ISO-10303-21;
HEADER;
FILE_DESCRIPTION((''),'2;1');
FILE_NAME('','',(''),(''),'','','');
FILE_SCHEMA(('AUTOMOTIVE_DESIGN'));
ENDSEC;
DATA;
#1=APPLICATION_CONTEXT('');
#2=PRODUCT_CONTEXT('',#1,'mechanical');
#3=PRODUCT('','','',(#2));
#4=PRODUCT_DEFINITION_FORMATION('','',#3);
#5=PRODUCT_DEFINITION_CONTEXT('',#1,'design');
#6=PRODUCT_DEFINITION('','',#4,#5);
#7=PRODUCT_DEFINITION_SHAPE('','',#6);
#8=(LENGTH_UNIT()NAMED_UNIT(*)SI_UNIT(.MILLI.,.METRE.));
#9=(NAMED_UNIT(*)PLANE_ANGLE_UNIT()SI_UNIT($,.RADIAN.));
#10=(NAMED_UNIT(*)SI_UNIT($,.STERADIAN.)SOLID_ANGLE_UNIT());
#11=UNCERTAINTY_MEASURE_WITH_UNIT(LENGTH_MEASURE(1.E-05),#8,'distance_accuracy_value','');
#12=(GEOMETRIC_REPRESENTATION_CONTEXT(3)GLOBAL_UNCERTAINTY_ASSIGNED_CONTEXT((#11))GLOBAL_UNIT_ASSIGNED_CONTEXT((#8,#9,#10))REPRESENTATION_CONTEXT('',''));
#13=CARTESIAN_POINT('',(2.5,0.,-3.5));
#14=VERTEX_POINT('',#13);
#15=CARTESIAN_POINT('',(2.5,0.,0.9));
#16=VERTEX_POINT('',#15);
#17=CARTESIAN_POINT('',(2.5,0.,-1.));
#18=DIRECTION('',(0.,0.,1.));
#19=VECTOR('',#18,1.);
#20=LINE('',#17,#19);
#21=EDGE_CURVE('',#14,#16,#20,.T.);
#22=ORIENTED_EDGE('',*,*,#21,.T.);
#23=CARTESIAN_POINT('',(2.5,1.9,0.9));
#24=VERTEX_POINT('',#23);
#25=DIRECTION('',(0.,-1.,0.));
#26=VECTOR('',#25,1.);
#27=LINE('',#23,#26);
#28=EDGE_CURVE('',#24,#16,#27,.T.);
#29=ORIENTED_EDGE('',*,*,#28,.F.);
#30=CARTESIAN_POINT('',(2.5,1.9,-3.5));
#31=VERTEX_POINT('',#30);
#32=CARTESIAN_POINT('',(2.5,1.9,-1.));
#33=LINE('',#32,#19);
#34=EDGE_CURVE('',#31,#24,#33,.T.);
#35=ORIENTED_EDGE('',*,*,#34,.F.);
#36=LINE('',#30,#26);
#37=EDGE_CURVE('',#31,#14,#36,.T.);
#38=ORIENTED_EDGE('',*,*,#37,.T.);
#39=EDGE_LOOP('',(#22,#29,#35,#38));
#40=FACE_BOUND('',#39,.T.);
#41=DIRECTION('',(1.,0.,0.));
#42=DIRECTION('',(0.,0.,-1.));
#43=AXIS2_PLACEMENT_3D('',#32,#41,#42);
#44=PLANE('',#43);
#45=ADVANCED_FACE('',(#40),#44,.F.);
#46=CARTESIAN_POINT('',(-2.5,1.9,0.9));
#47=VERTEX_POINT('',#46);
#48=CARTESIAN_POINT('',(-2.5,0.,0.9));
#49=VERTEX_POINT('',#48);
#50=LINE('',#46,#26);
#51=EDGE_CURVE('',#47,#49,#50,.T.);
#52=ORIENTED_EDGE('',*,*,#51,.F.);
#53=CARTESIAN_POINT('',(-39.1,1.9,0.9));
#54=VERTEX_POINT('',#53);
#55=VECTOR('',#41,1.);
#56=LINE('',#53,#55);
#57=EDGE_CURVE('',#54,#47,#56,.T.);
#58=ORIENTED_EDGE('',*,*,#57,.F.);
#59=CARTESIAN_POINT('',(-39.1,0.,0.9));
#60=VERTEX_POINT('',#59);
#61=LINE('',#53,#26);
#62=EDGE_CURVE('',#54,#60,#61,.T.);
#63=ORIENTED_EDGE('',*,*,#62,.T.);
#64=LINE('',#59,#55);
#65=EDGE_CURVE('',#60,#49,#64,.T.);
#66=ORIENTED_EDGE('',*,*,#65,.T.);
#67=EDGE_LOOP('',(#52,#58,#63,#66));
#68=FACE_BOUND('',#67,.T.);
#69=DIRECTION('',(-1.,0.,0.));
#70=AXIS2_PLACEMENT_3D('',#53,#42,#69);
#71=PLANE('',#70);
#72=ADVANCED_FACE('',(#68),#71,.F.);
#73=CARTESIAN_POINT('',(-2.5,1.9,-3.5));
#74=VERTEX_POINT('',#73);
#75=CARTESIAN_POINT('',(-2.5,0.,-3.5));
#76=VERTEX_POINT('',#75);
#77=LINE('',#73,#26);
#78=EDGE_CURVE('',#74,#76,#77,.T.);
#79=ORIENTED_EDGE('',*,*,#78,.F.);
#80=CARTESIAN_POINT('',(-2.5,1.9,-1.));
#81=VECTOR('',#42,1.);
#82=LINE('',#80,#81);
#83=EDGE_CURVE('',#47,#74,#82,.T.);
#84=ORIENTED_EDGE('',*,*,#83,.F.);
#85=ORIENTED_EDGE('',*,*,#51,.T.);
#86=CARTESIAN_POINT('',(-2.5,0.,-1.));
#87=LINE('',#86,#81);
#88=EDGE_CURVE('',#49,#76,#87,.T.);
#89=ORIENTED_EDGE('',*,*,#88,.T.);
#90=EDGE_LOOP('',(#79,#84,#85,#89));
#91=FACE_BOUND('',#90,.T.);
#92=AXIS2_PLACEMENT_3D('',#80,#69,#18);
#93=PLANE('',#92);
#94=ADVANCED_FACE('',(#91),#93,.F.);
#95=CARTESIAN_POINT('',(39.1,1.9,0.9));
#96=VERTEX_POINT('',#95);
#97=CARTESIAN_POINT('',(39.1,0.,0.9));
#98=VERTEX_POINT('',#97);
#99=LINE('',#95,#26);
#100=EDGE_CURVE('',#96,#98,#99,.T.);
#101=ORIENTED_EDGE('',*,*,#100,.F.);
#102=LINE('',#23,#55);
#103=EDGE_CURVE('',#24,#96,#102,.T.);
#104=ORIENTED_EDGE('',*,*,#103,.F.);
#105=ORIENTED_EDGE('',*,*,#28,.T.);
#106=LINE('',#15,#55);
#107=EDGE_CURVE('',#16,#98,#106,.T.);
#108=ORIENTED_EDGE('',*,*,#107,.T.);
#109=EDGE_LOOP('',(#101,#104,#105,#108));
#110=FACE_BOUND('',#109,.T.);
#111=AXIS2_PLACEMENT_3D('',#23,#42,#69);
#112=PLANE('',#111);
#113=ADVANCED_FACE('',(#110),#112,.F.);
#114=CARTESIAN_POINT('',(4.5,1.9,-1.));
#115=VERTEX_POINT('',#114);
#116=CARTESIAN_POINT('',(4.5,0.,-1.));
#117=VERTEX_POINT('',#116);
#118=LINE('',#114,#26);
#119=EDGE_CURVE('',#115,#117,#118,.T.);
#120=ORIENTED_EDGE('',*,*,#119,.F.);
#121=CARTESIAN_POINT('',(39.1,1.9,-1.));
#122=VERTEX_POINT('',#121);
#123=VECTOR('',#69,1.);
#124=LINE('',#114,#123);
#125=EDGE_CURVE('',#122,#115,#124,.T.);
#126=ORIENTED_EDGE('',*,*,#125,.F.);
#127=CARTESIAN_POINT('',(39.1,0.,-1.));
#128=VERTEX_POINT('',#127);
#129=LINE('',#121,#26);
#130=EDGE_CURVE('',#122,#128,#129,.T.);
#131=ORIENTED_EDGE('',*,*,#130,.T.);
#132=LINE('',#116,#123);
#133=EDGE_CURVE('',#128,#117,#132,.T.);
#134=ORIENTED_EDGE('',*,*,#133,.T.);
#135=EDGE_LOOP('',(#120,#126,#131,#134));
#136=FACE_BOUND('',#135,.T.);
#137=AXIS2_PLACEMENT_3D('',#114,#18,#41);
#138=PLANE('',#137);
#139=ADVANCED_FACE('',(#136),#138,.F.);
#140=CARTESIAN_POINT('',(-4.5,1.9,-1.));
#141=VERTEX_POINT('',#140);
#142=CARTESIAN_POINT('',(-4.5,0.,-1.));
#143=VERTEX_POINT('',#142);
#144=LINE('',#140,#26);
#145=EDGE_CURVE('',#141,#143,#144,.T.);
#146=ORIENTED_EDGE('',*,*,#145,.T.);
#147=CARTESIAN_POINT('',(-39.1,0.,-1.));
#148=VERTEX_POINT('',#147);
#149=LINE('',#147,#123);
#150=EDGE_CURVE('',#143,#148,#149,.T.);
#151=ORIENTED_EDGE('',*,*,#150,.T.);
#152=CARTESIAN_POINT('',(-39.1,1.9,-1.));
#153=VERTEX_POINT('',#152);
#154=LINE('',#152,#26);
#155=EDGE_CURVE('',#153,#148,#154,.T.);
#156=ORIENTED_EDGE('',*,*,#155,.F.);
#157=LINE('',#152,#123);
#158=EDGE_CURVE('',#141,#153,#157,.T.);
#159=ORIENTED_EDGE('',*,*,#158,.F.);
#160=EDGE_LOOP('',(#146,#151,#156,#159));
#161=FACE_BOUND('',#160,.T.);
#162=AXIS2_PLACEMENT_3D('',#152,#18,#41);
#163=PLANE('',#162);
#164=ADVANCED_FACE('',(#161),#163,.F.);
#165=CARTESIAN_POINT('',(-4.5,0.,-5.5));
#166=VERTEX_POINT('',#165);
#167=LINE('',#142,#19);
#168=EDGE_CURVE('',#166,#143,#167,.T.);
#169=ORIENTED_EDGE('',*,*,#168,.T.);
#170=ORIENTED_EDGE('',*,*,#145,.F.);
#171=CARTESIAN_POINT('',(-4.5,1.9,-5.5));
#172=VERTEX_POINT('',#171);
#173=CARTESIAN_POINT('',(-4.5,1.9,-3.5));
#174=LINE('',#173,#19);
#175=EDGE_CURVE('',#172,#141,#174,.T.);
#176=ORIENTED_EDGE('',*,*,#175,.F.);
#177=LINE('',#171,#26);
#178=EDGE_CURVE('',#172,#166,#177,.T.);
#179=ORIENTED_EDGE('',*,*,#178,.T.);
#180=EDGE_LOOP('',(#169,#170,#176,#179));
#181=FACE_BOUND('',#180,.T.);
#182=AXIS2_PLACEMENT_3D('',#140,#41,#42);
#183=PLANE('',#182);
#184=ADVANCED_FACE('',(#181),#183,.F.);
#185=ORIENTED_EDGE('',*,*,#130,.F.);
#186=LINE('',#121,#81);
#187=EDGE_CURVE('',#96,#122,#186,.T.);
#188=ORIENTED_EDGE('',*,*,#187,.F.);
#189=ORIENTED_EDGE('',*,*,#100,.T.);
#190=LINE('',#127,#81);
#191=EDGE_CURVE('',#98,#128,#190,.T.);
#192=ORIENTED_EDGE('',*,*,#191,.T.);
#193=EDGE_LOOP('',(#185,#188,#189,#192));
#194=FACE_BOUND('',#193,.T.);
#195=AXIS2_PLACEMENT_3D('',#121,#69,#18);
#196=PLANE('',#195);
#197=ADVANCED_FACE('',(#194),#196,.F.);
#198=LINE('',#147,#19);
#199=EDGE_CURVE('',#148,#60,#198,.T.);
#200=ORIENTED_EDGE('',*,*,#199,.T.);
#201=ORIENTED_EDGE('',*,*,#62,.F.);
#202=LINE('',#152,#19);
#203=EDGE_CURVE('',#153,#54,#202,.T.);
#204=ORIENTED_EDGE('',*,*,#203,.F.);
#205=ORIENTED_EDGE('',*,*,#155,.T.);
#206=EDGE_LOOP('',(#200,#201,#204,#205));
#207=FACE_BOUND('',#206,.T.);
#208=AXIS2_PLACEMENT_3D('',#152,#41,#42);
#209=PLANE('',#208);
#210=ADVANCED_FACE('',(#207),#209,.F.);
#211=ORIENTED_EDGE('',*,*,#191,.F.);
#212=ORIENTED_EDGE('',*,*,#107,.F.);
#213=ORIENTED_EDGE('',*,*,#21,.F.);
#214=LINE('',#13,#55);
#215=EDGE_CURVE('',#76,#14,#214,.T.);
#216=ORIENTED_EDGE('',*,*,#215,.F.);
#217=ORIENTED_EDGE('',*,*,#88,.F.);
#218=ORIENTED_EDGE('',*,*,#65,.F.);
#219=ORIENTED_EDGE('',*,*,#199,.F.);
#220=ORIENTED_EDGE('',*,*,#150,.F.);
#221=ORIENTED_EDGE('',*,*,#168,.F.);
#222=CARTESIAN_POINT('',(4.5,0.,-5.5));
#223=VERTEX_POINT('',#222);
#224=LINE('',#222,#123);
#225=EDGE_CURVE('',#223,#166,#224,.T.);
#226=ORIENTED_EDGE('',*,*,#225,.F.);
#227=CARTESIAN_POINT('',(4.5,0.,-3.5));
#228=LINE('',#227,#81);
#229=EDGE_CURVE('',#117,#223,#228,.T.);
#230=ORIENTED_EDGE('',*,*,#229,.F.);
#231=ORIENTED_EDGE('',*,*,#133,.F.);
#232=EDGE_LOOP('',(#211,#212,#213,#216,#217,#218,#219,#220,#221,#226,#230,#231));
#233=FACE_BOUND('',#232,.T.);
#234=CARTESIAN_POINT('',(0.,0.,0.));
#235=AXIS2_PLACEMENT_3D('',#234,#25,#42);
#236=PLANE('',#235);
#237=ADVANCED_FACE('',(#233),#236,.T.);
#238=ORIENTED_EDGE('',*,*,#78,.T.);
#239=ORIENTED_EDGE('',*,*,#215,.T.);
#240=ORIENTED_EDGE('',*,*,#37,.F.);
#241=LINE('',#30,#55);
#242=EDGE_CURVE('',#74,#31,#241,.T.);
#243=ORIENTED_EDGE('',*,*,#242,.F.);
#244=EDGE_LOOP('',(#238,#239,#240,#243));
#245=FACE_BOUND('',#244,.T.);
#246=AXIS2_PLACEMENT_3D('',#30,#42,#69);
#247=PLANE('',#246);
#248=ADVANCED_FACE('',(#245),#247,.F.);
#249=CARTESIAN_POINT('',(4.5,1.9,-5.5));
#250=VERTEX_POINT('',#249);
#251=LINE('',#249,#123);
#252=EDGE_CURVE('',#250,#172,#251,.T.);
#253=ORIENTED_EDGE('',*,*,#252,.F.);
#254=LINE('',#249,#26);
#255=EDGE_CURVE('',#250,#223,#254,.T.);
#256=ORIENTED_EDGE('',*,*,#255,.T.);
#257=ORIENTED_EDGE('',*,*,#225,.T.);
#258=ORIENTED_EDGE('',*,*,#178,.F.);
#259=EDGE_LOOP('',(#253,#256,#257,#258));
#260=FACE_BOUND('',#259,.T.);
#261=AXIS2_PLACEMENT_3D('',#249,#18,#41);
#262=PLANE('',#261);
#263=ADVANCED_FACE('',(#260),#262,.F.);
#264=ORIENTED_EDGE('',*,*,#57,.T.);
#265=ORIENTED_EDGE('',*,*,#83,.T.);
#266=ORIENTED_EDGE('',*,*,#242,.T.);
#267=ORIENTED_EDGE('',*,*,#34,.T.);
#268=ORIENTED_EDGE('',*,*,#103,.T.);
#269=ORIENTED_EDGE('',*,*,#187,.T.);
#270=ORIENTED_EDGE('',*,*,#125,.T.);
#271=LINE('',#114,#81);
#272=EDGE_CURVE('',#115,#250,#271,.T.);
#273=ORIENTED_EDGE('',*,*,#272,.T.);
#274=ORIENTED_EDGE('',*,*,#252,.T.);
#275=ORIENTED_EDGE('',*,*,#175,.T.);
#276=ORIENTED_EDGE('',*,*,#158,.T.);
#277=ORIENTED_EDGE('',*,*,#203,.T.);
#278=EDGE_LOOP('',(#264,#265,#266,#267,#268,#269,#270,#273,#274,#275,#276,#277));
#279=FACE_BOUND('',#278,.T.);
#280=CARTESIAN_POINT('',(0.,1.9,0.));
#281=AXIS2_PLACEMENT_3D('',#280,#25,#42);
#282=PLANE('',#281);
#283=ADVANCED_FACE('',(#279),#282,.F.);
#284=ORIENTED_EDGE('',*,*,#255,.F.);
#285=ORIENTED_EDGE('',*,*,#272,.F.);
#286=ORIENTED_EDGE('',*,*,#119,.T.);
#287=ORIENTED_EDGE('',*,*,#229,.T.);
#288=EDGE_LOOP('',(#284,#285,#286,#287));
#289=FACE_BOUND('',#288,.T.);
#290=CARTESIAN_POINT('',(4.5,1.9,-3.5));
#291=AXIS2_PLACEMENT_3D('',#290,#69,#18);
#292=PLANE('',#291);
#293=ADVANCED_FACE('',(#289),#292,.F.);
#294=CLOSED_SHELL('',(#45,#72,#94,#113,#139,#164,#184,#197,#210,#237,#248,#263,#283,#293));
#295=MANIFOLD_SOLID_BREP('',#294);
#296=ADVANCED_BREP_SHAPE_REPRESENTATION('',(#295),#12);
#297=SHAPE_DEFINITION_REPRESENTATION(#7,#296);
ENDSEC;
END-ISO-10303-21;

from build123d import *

# Parameters (mm, degrees)
BOSS_EXTRUDE1_DEPTH = 1.9


with BuildPart() as part:
    # Sketch1 → Boss-Extrude1 (new body)
    with BuildSketch(Plane(origin=(0, 0, 0), x_dir=(1, 0, 0), z_dir=(0, 1, 0))):
        Polygon((2.5, 3.5), (-2.5, 3.5), (-2.5, 1), (-2.5, -0.9), (-39.1, -0.9), (-39.1, 1), (-4.5, 1), (-4.5, 3.5), (-4.5, 5.5), (4.5, 5.5), (4.5, 3.5), (4.5, 1), (39.1, 1), (39.1, -0.9), (2.5, -0.9), (2.5, 1), align=None)
    extrude(amount=BOSS_EXTRUDE1_DEPTH)


solid = part.part
